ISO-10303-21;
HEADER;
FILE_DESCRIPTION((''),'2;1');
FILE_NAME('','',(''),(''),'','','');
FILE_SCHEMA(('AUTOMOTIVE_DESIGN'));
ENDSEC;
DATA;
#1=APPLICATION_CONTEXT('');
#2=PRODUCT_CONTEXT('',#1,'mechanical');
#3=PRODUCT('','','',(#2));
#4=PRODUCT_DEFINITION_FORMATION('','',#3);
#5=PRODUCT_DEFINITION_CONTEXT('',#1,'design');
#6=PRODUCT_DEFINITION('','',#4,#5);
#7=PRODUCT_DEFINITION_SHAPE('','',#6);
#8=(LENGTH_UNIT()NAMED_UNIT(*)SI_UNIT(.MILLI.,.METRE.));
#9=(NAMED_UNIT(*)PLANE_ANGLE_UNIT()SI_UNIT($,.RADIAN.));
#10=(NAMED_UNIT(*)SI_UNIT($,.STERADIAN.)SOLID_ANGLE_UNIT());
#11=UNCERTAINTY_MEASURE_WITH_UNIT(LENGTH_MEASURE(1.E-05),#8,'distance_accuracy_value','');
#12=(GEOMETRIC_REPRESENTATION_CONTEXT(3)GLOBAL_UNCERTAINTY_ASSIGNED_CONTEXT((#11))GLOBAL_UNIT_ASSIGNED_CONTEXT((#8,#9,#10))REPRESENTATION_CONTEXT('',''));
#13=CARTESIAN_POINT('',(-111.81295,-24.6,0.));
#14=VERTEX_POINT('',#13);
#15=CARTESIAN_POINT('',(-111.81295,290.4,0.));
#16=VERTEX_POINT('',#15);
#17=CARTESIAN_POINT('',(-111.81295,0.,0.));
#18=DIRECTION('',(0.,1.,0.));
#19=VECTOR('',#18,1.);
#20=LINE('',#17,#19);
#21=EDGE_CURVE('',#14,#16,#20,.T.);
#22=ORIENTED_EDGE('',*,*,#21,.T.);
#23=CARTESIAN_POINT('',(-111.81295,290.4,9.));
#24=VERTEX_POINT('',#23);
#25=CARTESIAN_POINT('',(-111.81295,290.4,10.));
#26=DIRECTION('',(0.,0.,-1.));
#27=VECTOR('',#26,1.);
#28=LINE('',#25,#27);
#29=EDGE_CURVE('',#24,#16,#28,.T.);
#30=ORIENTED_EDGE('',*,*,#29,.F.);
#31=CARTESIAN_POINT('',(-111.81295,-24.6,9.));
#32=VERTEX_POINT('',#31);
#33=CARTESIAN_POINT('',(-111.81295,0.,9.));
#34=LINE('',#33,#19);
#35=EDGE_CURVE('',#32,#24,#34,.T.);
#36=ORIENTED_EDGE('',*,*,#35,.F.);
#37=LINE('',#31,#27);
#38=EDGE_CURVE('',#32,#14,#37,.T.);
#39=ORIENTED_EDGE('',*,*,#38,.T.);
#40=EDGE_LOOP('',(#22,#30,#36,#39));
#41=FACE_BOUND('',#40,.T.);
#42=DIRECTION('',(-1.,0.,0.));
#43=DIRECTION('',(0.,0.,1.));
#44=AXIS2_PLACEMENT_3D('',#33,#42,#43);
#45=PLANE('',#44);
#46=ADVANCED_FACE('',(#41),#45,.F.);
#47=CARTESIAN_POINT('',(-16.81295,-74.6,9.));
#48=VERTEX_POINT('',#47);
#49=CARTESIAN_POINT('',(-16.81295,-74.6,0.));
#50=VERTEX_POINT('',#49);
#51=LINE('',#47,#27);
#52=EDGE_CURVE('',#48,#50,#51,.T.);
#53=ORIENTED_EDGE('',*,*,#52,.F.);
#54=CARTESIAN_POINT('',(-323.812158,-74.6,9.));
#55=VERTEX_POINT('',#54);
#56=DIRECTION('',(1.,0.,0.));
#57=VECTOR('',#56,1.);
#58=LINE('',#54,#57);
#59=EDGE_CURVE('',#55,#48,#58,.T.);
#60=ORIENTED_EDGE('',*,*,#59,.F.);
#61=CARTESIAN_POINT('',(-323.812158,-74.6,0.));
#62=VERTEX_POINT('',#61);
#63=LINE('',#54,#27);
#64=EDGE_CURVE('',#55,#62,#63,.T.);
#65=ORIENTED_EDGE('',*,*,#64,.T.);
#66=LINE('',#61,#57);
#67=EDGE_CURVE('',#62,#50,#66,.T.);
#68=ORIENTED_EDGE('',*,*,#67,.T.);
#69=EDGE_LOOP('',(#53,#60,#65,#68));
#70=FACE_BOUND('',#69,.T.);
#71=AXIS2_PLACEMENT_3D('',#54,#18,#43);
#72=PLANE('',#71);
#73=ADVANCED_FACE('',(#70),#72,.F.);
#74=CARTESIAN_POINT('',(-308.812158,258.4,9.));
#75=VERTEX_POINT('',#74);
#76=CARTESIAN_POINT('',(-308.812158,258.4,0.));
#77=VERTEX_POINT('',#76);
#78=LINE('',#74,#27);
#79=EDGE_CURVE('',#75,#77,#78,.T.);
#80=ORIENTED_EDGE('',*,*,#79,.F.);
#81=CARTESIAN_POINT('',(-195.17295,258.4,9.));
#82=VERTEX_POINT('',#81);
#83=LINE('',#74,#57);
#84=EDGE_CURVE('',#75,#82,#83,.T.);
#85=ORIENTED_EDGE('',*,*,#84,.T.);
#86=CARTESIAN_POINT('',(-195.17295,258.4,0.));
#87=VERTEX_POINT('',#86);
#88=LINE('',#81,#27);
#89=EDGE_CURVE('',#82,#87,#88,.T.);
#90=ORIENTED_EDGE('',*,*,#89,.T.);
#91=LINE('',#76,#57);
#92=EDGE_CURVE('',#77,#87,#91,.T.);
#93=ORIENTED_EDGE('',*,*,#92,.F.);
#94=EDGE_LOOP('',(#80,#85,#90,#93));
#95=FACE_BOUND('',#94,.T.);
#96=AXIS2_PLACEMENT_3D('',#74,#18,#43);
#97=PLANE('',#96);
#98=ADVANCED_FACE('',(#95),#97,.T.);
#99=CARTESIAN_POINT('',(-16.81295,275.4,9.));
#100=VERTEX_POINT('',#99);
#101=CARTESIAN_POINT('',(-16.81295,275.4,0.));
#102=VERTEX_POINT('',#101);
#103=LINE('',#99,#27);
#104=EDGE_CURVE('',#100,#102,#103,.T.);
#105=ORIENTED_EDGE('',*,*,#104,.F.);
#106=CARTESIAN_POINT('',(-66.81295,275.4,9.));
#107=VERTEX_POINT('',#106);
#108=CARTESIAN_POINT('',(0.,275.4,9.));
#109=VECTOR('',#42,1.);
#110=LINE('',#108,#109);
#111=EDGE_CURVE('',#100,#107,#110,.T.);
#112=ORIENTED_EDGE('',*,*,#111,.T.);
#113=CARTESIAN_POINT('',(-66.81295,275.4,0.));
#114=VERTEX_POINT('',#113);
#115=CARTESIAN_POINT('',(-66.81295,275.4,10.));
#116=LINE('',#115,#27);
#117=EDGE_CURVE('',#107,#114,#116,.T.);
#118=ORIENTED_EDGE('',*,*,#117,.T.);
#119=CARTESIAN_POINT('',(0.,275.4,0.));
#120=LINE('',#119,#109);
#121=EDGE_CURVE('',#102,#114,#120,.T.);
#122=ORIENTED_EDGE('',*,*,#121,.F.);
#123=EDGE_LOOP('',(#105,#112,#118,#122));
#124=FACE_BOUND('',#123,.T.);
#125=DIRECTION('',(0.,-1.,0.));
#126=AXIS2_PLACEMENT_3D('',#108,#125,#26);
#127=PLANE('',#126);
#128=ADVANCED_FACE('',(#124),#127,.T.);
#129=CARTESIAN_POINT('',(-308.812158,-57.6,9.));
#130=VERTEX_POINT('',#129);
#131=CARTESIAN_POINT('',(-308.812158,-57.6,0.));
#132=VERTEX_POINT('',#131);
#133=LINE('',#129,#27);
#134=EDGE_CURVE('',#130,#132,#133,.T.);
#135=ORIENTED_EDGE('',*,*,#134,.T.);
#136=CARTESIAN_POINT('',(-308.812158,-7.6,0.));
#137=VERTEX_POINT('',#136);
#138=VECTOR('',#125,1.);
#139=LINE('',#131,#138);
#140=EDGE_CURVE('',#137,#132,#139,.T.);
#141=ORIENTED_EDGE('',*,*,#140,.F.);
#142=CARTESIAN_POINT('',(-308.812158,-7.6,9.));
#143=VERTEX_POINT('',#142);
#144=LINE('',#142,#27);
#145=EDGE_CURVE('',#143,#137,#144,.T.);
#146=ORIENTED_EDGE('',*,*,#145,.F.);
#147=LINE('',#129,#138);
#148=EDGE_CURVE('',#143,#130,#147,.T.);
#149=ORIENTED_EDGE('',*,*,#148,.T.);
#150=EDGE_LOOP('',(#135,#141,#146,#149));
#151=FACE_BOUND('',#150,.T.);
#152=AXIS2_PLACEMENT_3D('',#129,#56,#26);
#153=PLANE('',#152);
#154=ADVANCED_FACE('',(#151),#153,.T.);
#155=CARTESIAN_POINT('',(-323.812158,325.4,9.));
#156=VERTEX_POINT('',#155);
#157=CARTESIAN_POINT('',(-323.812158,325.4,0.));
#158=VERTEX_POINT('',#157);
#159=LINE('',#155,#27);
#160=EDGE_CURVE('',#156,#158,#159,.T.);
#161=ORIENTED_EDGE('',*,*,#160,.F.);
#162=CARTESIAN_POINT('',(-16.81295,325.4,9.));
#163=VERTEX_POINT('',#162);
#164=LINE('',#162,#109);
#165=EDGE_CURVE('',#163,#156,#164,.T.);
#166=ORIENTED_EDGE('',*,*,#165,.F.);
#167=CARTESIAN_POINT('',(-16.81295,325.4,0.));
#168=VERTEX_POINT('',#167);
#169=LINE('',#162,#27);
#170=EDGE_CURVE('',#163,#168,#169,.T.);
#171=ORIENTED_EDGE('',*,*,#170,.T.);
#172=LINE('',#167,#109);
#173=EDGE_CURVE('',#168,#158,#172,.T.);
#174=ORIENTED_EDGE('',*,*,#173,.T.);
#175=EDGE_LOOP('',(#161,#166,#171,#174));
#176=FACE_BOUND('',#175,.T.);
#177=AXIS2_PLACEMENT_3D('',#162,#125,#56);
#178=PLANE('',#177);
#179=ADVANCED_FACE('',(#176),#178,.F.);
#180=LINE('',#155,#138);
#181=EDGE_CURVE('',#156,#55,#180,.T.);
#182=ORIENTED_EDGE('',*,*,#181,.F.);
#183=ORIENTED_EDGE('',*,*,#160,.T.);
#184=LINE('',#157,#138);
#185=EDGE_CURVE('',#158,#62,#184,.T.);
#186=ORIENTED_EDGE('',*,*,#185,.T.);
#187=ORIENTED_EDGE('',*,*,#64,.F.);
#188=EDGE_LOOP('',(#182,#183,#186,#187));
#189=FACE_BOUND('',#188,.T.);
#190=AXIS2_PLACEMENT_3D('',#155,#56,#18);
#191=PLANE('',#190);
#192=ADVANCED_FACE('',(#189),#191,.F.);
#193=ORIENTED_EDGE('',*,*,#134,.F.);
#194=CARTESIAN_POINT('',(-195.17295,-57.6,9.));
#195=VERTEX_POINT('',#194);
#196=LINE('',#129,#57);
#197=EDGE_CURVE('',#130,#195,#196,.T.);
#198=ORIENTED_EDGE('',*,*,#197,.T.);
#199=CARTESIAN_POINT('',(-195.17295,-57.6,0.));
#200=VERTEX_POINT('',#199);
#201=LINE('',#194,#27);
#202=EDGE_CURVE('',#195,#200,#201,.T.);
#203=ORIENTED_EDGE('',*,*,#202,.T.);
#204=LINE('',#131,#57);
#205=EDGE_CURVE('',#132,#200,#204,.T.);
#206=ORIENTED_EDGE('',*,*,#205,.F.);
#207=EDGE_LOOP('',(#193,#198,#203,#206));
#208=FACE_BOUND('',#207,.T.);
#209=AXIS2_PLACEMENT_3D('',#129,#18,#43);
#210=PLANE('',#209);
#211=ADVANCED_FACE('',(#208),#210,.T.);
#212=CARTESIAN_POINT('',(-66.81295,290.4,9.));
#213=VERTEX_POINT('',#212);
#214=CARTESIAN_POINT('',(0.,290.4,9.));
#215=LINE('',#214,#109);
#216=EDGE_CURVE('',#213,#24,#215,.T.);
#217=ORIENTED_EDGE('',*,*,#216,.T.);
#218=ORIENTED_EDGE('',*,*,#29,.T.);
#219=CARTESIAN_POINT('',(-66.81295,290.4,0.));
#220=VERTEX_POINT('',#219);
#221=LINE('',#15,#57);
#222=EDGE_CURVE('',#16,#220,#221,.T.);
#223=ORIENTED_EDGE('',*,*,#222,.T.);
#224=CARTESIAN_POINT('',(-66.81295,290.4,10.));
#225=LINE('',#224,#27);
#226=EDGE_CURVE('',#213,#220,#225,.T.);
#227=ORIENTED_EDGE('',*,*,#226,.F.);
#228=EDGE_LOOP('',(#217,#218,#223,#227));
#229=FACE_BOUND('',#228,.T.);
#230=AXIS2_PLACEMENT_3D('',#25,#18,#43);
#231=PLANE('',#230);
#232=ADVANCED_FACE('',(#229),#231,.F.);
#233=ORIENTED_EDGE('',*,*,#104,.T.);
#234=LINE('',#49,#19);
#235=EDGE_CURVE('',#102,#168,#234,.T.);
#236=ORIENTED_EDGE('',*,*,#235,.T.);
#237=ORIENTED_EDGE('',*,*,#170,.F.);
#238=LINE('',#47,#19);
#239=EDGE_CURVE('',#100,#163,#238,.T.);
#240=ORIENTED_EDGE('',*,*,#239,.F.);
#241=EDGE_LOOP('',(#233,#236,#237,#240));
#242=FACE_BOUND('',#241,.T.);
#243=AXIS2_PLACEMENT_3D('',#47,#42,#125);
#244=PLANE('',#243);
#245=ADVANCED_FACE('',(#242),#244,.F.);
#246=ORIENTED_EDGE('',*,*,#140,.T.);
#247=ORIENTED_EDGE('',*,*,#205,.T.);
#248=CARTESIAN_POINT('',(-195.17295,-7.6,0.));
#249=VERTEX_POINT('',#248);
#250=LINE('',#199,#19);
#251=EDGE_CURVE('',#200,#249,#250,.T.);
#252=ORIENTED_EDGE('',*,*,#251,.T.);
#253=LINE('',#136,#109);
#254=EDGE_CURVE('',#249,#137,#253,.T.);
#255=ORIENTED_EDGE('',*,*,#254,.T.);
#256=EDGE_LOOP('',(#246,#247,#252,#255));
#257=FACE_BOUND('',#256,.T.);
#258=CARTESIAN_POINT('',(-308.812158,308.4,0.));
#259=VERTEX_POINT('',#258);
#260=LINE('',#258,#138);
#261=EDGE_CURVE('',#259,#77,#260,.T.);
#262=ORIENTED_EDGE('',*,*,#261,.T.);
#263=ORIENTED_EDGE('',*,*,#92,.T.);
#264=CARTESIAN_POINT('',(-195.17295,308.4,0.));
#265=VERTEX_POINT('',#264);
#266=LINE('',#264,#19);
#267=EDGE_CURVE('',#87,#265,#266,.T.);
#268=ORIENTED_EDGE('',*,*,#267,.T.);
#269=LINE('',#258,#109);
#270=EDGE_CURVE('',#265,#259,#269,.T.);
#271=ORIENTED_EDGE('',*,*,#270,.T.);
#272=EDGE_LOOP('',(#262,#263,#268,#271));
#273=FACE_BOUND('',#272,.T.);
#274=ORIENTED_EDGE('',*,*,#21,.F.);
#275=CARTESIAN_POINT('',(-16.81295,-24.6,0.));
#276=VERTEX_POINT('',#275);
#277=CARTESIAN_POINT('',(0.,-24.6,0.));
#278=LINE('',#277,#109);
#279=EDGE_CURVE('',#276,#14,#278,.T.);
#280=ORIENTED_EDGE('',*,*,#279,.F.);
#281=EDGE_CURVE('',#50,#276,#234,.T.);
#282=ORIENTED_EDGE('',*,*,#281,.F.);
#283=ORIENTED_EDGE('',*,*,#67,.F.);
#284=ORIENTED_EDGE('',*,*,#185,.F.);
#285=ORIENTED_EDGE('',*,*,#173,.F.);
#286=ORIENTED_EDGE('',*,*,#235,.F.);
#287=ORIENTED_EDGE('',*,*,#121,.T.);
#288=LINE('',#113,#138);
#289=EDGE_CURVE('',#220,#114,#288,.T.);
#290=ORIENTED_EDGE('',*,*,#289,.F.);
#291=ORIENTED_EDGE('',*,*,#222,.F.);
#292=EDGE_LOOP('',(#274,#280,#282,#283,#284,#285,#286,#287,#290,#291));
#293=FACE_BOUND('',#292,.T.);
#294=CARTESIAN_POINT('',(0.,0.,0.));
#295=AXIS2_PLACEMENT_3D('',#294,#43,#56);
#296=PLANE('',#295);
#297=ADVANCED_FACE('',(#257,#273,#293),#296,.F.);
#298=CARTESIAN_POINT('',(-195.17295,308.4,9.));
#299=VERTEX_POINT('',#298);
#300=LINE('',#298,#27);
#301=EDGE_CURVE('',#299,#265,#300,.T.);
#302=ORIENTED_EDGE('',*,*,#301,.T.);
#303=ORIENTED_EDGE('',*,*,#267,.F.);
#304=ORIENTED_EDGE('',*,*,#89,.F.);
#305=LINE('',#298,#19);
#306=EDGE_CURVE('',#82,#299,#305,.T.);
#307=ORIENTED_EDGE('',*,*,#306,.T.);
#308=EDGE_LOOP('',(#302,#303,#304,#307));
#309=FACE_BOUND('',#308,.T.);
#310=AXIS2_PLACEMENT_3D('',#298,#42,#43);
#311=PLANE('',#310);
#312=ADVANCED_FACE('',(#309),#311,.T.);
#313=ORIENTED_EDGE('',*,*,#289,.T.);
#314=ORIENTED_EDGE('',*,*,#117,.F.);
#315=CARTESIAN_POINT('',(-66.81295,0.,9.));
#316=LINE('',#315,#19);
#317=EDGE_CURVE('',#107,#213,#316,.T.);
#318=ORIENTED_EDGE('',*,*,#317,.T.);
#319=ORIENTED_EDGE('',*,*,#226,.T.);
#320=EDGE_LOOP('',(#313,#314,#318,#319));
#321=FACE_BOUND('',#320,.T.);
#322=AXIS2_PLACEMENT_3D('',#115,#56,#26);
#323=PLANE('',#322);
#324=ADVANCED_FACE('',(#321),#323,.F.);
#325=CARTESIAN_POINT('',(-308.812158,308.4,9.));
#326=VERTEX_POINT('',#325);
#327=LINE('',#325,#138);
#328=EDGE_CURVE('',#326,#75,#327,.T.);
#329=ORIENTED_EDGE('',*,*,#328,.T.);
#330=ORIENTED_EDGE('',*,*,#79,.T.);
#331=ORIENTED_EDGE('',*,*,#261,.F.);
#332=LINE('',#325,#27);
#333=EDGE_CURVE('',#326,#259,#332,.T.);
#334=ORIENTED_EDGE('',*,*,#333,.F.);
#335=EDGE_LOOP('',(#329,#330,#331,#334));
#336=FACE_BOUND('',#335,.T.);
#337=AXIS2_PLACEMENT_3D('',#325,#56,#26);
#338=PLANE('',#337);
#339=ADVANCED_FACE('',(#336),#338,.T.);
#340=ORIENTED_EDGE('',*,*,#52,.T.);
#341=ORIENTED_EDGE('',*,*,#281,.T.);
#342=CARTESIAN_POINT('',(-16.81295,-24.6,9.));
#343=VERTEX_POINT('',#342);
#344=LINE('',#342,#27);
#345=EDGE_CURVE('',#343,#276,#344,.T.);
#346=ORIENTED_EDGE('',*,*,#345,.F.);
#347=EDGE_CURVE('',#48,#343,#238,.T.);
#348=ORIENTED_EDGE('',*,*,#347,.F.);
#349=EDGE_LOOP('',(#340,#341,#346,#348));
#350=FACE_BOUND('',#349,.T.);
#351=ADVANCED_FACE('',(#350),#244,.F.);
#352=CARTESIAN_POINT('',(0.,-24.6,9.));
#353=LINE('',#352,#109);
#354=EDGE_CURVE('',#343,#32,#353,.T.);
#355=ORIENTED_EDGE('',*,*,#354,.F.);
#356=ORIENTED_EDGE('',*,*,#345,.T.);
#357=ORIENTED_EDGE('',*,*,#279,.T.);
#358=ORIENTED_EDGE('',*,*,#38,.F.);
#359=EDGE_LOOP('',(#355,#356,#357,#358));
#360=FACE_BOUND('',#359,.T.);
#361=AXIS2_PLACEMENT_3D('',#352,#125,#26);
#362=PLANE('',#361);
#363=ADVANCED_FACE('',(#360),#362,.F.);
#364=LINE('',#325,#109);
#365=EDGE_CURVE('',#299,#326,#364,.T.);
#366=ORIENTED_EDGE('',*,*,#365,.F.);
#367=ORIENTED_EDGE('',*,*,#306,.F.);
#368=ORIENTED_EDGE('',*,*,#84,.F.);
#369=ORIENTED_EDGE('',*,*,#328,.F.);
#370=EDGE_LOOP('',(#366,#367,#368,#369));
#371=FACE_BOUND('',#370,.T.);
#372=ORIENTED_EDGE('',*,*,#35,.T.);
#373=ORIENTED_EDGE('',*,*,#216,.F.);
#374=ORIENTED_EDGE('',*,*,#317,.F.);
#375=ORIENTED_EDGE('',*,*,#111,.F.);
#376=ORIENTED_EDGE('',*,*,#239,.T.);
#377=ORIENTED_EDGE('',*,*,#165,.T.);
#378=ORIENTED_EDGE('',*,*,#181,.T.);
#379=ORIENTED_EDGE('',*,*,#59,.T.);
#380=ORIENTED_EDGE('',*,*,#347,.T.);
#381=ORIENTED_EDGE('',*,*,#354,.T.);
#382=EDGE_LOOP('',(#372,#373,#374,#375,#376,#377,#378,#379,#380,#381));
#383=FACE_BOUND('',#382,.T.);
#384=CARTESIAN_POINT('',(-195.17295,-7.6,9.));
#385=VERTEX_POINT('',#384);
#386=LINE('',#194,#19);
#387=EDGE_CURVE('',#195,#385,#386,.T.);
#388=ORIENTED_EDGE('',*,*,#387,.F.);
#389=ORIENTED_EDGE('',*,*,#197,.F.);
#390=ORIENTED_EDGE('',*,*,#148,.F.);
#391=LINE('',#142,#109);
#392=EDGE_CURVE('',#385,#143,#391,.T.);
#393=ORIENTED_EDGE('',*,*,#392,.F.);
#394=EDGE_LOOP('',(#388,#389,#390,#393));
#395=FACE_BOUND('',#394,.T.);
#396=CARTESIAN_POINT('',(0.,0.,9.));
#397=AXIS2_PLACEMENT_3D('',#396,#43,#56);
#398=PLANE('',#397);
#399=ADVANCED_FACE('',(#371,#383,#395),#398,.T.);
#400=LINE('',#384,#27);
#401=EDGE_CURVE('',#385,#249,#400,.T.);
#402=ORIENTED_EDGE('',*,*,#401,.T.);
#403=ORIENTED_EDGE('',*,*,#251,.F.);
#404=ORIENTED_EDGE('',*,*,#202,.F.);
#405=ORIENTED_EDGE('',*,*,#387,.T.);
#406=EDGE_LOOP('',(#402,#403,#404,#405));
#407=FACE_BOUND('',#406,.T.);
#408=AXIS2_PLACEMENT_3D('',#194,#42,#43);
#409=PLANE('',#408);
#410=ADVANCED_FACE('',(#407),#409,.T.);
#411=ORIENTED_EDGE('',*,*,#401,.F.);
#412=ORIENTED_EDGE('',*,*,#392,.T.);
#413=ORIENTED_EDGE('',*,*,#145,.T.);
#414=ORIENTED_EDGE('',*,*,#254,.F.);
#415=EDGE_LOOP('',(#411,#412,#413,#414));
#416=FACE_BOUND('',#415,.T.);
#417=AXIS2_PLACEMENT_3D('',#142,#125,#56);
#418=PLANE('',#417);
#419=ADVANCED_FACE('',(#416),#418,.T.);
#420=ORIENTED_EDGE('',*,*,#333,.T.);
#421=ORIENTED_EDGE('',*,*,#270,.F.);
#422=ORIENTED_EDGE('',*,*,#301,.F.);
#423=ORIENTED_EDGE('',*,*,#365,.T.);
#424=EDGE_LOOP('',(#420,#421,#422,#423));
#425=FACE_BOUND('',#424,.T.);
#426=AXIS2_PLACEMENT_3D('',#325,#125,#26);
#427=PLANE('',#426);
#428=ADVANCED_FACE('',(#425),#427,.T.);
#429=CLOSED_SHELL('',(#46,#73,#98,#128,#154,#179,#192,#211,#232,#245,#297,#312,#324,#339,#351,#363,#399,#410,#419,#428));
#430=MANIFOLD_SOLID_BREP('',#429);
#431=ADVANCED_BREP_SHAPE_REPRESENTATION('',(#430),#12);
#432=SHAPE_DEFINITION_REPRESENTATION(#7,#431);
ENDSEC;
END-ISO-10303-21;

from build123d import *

# Parameters (mm, degrees)
SKETCH1_W           = 306.999208532
SKETCH1_H           = 400
SKETCH1_W_2         = 113.639208532
SKETCH1_H_2         = 50
BOSS_EXTRUDE1_DEPTH = 9
SKETCH2_W           = 95
SKETCH2_H           = 300
CUT_EXTRUDE1_DEPTH  = 460.151907085
SKETCH3_W           = 45
SKETCH3_H           = 15
CUT_EXTRUDE2_DEPTH  = 10


with BuildPart() as part:
    # Sketch1 → Boss-Extrude1 (new body)
    with BuildSketch(Plane.XY):
        with Locations((-170.312553906, 125.4)):
            Rectangle(SKETCH1_W, SKETCH1_H)
        with Locations((-251.992553906, 283.4)):
            Rectangle(SKETCH1_W_2, SKETCH1_H_2, mode=Mode.SUBTRACT)
        with Locations((-251.992553906, -32.6)):
            Rectangle(SKETCH1_W_2, SKETCH1_H_2, mode=Mode.SUBTRACT)
    extrude(amount=BOSS_EXTRUDE1_DEPTH)

    # Sketch2 → Cut-Extrude1 (cut, through all)
    with BuildSketch(Plane(origin=(0, 0, 0), x_dir=(-1, 0, 0), z_dir=(0, 0, -1))):
        with Locations((64.31294964, 125.4)):
            Rectangle(SKETCH2_W, SKETCH2_H)
    extrude(amount=-CUT_EXTRUDE1_DEPTH, mode=Mode.SUBTRACT)

    # Sketch3 → Cut-Extrude2 (cut)
    with BuildSketch(Plane(origin=(0, 0, 0), x_dir=(-1, 0, 0), z_dir=(0, 0, -1))):
        with Locations((89.31294964, 282.9)):
            Rectangle(SKETCH3_W, SKETCH3_H)
    extrude(amount=-CUT_EXTRUDE2_DEPTH, mode=Mode.SUBTRACT)


solid = part.part
